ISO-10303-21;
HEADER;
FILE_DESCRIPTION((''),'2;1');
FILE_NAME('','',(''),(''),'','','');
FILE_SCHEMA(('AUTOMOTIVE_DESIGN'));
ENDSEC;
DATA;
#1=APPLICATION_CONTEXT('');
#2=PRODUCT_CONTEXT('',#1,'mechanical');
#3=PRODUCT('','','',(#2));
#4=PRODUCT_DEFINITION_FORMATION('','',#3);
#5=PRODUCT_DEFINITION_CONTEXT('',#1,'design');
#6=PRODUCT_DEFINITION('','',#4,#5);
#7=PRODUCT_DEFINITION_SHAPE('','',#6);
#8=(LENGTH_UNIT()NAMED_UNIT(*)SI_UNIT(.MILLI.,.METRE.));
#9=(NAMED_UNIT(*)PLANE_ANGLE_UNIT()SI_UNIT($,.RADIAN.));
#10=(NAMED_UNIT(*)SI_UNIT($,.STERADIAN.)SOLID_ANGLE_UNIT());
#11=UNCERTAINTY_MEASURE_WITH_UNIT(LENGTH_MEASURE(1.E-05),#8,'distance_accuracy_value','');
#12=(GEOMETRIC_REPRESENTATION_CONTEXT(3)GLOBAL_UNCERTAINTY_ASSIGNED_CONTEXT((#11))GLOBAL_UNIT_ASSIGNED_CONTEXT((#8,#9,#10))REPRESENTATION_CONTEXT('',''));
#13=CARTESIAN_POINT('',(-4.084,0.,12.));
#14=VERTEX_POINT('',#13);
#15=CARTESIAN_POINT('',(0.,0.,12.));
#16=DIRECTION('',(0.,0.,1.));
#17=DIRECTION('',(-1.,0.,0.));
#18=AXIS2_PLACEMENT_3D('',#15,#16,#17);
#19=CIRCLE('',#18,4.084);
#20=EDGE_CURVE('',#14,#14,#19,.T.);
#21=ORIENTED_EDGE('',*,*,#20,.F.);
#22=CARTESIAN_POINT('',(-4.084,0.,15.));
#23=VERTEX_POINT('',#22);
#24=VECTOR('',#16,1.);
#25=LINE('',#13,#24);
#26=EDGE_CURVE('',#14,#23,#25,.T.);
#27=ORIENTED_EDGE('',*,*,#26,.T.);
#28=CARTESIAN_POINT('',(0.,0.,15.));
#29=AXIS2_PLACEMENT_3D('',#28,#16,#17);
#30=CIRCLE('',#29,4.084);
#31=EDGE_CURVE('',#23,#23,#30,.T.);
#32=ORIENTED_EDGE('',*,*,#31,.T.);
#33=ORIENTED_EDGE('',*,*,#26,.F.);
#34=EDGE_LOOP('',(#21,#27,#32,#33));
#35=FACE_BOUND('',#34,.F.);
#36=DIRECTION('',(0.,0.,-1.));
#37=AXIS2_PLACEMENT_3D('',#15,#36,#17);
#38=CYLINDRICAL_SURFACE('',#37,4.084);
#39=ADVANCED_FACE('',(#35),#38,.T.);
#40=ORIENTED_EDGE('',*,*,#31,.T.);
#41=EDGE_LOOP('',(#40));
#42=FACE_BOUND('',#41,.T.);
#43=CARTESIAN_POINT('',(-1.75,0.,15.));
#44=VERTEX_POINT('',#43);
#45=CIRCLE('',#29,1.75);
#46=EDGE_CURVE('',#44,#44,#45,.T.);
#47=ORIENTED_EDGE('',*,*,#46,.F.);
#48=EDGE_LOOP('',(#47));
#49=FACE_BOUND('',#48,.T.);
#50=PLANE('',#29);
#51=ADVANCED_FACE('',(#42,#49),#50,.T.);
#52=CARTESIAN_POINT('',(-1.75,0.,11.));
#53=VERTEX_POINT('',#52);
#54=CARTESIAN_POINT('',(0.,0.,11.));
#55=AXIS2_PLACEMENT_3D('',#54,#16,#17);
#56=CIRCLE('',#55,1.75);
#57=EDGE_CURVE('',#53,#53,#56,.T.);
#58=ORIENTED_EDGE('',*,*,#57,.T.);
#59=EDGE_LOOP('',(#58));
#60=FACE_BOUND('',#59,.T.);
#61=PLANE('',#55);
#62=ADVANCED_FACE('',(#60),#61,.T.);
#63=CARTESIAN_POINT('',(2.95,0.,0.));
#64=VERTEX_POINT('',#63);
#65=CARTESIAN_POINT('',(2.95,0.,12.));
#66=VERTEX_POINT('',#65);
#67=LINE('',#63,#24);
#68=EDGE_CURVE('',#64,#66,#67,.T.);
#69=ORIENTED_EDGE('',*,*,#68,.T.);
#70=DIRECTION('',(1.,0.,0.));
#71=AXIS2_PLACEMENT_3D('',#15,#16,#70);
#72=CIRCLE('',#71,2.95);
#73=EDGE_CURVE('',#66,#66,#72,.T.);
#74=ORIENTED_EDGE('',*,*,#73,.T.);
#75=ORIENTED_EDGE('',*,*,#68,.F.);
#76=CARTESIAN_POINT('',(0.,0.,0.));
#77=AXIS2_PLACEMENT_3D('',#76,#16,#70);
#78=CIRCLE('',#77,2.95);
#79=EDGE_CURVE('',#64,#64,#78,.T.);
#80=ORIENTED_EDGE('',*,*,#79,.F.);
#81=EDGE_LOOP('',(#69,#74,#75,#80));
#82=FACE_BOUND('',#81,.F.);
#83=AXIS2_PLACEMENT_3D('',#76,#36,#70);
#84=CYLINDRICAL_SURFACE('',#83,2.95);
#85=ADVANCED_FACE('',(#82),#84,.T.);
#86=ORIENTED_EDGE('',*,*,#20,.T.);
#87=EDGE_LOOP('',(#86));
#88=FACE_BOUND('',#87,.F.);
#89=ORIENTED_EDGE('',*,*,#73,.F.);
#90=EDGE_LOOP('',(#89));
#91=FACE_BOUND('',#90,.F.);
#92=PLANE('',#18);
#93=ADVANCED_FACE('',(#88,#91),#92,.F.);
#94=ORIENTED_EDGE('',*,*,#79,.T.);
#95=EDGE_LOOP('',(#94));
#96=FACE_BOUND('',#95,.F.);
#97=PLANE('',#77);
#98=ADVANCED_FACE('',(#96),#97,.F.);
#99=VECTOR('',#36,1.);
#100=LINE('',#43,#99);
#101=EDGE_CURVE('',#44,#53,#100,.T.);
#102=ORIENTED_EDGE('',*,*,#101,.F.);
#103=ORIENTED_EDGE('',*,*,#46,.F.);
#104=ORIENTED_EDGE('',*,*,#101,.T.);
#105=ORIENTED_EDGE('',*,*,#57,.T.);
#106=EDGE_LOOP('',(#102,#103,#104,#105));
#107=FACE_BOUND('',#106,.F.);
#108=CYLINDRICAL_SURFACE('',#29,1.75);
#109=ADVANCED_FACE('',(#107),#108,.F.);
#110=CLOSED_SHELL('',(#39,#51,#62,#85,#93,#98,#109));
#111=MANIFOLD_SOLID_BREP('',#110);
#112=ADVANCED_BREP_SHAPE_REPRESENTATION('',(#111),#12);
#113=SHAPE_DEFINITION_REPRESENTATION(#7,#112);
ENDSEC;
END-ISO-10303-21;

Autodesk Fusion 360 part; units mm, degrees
sketch "Sketch1" plane through (0, 0, 0) normal (0, 0, 1) x (1, 0, 0)
  circle A0 centre (0, 0) radius 2.95
  dimension "d1" = 5.9
extrude "Extrude1" add sketch "Sketch1" along normal blind 12
sketch "Sketch2" plane through (0, 0, 12) normal (0, 0, 1) x (-1, 0, 0)
  circle A0 centre (0, 0) radius 2.95
  circle A1 centre (0, 0) radius 4.084
extrude "Extrude2" add sketch "Sketch2" along normal blind 3 contours A0 | A1
sketch "Sketch3" plane through (0, 0, 15) normal (0, 0, 1) x (-1, 0, 0)
  circle A0 centre (0, 0) radius 4.084
  circle A1 centre (0, 0) radius 1.75
  dimension "d6" = 3.5
extrude "Extrude3" cut sketch "Sketch3" against normal blind 4 contours A1
